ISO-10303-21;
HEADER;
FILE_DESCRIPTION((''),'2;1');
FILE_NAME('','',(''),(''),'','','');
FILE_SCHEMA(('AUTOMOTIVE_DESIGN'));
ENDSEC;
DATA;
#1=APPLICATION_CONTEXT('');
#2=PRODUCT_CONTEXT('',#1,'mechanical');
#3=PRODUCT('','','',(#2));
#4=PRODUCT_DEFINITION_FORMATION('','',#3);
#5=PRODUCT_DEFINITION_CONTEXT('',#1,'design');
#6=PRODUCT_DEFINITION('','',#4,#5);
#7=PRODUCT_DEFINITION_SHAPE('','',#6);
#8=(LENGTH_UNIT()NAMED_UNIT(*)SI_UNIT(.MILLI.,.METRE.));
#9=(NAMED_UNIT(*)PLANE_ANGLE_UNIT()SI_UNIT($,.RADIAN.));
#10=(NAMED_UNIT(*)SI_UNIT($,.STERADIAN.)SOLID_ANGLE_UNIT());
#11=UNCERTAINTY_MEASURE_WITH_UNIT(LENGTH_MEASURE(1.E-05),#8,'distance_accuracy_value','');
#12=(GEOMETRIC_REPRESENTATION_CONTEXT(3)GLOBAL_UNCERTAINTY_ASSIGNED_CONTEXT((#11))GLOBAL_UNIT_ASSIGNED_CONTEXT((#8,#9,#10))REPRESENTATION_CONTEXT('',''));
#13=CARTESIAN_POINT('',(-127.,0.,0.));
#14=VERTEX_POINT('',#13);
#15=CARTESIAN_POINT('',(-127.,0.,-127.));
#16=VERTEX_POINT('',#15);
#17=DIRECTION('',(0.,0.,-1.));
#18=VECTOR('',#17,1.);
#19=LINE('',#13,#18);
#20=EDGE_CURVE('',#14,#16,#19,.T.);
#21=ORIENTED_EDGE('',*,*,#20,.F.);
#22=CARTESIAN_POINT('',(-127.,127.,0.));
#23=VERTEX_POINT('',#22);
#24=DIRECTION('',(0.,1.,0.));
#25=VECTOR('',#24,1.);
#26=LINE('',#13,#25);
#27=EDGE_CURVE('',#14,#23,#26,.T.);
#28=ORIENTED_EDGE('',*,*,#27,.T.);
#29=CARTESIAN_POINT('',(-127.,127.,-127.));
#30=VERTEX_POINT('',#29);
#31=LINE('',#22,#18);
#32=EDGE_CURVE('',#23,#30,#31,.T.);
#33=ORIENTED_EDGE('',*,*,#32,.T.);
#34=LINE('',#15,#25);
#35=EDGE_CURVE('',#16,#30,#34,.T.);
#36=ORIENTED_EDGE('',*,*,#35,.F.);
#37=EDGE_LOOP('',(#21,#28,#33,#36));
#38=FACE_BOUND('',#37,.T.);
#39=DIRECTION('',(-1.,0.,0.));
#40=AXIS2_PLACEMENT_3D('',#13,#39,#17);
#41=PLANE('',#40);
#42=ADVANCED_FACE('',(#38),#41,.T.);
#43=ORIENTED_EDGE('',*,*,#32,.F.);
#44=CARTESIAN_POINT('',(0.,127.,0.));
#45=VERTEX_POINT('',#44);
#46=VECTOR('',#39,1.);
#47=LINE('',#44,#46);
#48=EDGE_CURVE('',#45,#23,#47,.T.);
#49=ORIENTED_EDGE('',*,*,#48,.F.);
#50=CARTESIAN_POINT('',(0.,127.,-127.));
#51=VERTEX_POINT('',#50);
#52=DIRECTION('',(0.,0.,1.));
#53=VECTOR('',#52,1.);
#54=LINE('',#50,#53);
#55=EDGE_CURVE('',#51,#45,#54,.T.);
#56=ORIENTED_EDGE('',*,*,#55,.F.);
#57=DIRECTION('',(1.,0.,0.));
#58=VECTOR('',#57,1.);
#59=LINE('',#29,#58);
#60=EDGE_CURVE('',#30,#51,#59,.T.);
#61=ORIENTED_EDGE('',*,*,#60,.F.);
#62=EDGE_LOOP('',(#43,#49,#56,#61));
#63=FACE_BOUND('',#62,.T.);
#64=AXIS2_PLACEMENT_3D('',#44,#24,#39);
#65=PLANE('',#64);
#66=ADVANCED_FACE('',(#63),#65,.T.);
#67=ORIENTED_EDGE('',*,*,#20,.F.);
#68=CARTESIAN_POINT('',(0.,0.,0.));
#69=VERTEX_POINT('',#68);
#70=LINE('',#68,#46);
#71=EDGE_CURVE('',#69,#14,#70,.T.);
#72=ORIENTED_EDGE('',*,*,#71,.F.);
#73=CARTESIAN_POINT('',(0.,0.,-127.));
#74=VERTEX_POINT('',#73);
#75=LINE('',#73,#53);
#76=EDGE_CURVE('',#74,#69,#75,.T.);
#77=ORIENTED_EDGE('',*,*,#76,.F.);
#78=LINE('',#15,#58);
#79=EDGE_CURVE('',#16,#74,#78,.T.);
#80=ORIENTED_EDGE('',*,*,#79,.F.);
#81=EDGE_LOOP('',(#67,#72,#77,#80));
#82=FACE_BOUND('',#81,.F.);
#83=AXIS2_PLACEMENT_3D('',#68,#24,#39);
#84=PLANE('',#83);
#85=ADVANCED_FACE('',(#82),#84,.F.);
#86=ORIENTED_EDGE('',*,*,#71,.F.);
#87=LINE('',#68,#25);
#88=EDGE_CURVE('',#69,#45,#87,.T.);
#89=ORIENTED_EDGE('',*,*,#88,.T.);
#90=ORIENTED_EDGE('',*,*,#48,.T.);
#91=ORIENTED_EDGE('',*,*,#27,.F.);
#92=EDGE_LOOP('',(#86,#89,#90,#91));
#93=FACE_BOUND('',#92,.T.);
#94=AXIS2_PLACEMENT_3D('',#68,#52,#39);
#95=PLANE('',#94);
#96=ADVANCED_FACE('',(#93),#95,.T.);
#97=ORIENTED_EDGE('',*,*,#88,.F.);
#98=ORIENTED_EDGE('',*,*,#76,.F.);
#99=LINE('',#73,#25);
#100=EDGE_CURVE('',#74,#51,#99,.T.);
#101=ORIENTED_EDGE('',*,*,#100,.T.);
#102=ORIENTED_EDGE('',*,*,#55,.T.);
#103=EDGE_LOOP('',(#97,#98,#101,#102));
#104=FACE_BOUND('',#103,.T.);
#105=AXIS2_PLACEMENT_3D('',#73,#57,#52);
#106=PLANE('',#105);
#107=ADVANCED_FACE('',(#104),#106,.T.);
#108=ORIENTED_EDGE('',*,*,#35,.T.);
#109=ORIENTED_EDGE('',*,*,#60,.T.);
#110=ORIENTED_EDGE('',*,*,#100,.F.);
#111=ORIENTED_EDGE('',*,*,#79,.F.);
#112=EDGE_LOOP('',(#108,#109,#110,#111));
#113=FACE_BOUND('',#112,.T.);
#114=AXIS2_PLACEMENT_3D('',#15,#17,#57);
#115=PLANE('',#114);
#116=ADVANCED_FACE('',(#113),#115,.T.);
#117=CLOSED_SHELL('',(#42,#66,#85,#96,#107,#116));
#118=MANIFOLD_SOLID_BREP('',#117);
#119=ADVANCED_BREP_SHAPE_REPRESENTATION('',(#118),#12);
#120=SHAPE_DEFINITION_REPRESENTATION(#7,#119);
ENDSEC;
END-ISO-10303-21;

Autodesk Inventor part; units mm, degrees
ref_plane "YZ Plane" through (0, 0, 0) normal (1, 0, 0) x (0, 1, 0)
ref_plane "XZ Plane" through (0, 0, 0) normal (0, 1, 0) x (-1, 0, 0)
ref_plane "XY Plane" through (0, 0, 0) normal (0, 0, 1) x (1, 0, 0)
sketch "Sketch1" plane through (0, 0, 0) normal (0, 1, 0) x (-1, 0, 0)
  line L0 (0, 0) -> (127, 0)
  line L1 (127, 0) -> (127, -127)
  line L2 (127, -127) -> (0, -127)
  line L3 (0, -127) -> (0, 0)
  dimension "d0" = 127
  dimension "d1" = 127
extrude "Extrusion1" add sketch "Sketch1" along normal blind 127
properties part number "TestPart"
